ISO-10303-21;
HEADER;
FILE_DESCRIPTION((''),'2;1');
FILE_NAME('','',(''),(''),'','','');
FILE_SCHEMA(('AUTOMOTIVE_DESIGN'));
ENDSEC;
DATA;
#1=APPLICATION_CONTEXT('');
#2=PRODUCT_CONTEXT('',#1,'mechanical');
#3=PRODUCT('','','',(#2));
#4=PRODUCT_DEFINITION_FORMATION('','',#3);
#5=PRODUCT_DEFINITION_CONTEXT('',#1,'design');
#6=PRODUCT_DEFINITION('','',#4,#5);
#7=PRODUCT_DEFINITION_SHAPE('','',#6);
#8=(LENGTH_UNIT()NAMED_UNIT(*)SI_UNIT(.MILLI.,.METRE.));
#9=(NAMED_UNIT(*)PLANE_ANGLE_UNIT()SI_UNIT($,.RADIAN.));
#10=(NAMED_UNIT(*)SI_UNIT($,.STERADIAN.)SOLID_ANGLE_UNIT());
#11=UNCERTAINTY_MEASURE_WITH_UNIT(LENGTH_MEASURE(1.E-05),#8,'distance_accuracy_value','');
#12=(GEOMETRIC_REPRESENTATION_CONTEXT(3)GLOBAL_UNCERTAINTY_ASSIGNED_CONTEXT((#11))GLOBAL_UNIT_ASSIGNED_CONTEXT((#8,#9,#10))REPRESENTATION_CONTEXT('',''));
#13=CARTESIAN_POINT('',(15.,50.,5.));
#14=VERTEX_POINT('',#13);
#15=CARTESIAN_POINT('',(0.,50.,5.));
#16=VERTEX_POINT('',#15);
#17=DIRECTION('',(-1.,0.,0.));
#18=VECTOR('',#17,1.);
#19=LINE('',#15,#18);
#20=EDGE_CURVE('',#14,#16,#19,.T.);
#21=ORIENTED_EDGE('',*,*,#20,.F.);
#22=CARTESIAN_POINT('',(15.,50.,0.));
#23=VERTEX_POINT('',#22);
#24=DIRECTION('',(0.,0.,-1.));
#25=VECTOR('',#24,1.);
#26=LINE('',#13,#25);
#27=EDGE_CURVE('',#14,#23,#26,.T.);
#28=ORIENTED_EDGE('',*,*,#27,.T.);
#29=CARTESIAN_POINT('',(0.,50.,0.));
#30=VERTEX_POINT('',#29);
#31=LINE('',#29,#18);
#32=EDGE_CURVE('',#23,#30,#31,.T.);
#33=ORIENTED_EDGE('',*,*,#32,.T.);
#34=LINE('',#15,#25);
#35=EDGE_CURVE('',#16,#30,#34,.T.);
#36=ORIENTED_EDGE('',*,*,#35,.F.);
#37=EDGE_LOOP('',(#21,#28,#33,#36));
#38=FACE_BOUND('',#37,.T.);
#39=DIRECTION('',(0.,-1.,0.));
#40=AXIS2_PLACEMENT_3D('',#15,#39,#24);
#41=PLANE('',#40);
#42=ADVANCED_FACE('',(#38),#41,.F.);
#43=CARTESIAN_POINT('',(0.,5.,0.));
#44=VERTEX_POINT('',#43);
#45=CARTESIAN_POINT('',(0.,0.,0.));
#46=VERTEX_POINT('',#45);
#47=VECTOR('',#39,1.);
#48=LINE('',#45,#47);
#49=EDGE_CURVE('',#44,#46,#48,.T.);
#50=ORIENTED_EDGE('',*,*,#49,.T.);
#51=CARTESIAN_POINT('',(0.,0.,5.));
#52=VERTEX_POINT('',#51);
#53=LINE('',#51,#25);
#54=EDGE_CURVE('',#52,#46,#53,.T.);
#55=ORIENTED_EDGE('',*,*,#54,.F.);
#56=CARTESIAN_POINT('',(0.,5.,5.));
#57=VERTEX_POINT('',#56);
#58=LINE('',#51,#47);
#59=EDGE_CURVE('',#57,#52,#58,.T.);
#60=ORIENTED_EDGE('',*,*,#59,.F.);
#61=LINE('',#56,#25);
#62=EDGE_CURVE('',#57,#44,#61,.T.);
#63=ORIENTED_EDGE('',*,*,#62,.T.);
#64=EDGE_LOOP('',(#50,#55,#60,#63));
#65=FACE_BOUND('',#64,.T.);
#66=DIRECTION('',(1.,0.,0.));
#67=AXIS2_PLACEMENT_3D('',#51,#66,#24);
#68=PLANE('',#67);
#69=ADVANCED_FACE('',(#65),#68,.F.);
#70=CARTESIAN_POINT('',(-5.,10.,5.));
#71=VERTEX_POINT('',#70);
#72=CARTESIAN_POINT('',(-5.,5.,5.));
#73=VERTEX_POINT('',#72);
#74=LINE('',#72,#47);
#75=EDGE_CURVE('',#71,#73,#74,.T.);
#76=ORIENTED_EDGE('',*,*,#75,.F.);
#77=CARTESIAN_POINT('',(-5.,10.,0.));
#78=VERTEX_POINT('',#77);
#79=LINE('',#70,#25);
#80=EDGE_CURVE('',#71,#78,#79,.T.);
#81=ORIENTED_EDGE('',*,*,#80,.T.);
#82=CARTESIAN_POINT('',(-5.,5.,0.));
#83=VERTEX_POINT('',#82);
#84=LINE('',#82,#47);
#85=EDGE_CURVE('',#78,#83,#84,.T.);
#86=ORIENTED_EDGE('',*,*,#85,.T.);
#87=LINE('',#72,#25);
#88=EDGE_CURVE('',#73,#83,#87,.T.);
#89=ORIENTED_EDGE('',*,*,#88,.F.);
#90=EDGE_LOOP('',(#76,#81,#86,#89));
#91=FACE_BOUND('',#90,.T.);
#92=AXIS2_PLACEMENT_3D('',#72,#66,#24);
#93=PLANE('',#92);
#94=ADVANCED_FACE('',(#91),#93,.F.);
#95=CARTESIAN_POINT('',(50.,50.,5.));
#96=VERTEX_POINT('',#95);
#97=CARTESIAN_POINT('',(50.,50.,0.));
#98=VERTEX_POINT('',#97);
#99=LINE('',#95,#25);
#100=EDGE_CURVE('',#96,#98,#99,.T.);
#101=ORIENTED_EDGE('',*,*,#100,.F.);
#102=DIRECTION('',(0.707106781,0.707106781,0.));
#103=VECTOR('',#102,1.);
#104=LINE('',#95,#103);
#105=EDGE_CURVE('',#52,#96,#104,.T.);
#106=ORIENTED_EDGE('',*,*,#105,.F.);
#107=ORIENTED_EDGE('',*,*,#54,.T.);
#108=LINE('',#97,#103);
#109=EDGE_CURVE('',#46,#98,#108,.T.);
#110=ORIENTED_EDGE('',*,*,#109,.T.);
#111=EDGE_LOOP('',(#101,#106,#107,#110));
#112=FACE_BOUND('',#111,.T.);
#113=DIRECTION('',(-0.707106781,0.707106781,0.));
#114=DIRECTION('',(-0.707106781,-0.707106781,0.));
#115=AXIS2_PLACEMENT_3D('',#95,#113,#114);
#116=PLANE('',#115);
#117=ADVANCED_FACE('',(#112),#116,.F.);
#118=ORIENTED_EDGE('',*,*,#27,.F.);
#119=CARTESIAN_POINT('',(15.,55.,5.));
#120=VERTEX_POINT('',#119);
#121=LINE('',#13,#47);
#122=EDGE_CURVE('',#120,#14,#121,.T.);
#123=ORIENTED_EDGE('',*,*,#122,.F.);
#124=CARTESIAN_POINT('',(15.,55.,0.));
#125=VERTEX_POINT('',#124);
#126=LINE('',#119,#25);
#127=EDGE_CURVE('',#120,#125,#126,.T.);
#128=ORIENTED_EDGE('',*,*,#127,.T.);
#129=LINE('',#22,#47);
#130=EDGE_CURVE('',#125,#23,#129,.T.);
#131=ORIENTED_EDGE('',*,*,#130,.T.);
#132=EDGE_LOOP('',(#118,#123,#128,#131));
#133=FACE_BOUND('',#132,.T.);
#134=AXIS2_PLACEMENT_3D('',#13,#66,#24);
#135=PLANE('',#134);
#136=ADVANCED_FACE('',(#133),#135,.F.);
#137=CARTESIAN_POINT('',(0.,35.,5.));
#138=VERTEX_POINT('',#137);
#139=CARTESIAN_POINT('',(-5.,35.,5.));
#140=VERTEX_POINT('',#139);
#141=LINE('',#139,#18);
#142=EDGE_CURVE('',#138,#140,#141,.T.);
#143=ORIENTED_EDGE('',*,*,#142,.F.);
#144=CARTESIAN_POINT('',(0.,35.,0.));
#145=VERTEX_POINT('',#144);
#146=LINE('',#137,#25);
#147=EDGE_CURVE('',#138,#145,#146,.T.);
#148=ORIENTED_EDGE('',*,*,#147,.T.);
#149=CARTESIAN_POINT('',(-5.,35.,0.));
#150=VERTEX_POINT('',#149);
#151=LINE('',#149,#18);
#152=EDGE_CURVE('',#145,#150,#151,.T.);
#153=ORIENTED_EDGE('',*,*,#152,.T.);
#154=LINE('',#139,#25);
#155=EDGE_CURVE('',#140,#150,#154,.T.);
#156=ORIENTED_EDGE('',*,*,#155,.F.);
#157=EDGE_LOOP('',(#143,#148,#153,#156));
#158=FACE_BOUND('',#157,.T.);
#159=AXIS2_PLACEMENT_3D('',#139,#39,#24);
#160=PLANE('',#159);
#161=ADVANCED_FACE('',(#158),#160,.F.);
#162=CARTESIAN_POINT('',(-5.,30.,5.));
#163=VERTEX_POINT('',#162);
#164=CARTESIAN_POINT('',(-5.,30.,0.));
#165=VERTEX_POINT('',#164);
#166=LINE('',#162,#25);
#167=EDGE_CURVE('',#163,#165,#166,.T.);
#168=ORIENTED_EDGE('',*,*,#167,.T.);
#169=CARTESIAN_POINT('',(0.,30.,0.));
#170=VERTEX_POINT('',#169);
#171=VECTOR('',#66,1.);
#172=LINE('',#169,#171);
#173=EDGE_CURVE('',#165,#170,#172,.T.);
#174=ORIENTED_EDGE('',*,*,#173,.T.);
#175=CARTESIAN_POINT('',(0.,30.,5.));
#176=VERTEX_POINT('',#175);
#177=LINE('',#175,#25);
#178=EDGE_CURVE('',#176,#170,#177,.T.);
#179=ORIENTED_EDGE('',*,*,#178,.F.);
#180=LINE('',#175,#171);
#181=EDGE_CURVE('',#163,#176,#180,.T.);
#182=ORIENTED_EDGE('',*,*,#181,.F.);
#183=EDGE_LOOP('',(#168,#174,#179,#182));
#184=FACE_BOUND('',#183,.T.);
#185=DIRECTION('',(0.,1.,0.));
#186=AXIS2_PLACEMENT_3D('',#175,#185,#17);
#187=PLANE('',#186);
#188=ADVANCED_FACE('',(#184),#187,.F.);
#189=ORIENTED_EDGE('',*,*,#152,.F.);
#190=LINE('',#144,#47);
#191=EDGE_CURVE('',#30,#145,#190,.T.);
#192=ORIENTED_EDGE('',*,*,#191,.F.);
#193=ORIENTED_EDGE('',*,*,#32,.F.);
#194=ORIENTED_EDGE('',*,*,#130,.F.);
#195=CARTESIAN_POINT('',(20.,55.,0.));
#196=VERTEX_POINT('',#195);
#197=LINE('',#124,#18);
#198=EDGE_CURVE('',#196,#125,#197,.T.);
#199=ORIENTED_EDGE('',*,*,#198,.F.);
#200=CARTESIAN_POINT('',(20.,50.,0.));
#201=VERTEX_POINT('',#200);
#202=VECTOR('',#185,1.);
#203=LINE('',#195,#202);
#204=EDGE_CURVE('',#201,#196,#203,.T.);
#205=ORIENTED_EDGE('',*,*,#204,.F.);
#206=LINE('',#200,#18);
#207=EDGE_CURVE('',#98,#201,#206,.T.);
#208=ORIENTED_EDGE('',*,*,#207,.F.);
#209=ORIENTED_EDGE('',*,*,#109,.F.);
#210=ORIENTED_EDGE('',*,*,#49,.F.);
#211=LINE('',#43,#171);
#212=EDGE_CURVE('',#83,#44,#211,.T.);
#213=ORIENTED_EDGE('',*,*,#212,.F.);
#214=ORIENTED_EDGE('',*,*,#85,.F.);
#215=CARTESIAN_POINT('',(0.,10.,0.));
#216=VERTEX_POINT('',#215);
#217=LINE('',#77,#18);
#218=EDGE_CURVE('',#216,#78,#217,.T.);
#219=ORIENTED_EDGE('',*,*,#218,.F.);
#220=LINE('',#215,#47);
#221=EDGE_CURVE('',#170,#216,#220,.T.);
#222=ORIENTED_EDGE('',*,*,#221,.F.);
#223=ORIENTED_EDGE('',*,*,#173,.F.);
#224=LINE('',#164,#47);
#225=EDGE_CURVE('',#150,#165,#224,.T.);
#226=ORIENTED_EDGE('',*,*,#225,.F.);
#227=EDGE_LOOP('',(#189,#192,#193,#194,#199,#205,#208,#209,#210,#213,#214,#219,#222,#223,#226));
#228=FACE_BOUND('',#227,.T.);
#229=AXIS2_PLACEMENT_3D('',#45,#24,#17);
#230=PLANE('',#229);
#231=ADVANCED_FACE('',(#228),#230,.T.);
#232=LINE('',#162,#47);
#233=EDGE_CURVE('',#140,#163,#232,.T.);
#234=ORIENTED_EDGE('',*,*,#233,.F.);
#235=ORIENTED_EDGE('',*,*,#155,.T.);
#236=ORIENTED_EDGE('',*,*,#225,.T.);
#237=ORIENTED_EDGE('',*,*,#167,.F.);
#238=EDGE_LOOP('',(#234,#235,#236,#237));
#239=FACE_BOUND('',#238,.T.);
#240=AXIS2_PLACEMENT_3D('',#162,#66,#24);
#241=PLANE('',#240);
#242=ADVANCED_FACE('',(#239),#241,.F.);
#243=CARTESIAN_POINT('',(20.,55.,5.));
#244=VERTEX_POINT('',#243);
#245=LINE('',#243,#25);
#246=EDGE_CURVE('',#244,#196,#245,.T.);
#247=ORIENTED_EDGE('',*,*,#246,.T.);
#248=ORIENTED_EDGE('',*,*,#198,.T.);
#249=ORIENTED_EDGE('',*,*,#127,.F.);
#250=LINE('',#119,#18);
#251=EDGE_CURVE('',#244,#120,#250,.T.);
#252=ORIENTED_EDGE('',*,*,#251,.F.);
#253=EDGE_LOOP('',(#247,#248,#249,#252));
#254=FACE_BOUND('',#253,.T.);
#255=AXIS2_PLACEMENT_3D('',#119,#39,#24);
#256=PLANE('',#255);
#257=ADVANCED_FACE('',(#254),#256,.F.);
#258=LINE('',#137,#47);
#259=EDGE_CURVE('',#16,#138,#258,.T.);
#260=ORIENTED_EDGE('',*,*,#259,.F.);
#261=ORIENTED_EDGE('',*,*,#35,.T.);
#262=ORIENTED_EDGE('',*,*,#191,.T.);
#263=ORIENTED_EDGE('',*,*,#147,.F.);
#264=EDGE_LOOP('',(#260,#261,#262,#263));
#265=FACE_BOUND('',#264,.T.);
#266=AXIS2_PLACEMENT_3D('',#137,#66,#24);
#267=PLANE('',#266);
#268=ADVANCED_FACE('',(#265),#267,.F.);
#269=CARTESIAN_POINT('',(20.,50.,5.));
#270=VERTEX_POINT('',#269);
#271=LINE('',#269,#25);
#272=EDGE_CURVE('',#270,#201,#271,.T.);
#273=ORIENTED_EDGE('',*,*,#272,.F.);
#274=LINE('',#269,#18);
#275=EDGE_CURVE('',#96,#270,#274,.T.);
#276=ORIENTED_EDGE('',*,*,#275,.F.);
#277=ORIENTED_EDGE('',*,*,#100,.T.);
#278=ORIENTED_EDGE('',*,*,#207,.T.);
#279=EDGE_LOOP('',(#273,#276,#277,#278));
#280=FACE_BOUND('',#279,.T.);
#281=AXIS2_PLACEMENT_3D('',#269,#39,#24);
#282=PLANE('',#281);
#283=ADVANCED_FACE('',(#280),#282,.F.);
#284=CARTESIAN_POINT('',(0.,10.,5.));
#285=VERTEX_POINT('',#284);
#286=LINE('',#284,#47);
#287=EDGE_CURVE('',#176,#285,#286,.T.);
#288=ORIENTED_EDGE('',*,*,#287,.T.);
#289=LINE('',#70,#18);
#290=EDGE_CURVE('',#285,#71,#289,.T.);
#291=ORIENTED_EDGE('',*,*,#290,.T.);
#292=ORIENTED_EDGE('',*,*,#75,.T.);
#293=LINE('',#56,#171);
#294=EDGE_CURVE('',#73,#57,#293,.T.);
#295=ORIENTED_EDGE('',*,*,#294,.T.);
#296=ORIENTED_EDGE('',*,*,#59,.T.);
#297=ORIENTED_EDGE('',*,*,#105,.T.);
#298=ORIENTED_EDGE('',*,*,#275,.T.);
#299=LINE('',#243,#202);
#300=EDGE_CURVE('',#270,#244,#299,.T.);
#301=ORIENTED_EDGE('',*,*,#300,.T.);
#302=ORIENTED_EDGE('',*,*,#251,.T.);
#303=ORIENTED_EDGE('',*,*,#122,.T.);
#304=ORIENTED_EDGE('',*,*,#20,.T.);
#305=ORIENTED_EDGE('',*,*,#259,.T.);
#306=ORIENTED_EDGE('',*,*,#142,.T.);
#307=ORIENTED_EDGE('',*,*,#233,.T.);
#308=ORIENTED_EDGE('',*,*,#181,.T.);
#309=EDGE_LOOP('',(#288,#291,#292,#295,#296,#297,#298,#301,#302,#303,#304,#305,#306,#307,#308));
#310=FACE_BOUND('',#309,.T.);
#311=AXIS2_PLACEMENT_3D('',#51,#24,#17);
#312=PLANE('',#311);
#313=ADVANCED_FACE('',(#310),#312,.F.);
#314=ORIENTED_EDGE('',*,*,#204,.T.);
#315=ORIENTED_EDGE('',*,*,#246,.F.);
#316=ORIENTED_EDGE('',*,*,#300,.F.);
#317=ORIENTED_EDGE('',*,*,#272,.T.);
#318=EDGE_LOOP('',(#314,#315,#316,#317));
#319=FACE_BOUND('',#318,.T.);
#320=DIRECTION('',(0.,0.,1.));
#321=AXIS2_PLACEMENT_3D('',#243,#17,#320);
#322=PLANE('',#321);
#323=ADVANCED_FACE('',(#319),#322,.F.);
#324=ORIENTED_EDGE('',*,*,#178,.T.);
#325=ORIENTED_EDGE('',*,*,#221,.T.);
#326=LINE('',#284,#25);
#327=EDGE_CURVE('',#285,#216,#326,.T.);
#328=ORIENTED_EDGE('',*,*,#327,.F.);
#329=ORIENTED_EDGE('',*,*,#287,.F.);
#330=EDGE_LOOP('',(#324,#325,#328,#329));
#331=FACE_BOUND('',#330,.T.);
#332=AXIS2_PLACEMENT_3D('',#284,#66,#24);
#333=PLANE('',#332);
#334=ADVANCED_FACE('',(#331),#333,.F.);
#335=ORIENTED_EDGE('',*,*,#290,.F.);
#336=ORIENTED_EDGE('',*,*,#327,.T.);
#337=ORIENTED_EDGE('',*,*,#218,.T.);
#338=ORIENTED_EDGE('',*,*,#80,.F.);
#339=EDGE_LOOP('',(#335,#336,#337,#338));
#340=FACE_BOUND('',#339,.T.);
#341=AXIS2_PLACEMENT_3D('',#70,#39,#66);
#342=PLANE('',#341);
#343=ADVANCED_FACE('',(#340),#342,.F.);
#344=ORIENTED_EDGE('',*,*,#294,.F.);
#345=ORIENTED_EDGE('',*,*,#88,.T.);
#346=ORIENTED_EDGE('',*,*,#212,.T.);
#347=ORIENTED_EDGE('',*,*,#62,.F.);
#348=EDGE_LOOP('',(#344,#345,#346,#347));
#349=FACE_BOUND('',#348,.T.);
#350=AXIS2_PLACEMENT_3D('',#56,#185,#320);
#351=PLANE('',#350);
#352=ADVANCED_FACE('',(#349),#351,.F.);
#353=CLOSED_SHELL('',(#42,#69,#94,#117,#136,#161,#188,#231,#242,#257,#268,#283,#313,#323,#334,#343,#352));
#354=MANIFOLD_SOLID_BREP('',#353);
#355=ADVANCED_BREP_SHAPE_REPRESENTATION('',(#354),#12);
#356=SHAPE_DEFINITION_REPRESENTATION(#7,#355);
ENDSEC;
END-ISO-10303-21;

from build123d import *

# Parameters (mm, degrees)
EXTRUDE1_DEPTH = 5


with BuildPart() as part:
    # Sketch1 → Extrude1 (new body)
    with BuildSketch(Plane.XY):
        Polygon((0, 0), (0, 5), (-5, 5), (-5, 10), (0, 10), (0, 30), (-5, 30), (-5, 35), (0, 35), (0, 50), (15, 50), (15, 55), (20, 55), (20, 50), (50, 50), align=None)
    extrude(amount=EXTRUDE1_DEPTH)


solid = part.part
